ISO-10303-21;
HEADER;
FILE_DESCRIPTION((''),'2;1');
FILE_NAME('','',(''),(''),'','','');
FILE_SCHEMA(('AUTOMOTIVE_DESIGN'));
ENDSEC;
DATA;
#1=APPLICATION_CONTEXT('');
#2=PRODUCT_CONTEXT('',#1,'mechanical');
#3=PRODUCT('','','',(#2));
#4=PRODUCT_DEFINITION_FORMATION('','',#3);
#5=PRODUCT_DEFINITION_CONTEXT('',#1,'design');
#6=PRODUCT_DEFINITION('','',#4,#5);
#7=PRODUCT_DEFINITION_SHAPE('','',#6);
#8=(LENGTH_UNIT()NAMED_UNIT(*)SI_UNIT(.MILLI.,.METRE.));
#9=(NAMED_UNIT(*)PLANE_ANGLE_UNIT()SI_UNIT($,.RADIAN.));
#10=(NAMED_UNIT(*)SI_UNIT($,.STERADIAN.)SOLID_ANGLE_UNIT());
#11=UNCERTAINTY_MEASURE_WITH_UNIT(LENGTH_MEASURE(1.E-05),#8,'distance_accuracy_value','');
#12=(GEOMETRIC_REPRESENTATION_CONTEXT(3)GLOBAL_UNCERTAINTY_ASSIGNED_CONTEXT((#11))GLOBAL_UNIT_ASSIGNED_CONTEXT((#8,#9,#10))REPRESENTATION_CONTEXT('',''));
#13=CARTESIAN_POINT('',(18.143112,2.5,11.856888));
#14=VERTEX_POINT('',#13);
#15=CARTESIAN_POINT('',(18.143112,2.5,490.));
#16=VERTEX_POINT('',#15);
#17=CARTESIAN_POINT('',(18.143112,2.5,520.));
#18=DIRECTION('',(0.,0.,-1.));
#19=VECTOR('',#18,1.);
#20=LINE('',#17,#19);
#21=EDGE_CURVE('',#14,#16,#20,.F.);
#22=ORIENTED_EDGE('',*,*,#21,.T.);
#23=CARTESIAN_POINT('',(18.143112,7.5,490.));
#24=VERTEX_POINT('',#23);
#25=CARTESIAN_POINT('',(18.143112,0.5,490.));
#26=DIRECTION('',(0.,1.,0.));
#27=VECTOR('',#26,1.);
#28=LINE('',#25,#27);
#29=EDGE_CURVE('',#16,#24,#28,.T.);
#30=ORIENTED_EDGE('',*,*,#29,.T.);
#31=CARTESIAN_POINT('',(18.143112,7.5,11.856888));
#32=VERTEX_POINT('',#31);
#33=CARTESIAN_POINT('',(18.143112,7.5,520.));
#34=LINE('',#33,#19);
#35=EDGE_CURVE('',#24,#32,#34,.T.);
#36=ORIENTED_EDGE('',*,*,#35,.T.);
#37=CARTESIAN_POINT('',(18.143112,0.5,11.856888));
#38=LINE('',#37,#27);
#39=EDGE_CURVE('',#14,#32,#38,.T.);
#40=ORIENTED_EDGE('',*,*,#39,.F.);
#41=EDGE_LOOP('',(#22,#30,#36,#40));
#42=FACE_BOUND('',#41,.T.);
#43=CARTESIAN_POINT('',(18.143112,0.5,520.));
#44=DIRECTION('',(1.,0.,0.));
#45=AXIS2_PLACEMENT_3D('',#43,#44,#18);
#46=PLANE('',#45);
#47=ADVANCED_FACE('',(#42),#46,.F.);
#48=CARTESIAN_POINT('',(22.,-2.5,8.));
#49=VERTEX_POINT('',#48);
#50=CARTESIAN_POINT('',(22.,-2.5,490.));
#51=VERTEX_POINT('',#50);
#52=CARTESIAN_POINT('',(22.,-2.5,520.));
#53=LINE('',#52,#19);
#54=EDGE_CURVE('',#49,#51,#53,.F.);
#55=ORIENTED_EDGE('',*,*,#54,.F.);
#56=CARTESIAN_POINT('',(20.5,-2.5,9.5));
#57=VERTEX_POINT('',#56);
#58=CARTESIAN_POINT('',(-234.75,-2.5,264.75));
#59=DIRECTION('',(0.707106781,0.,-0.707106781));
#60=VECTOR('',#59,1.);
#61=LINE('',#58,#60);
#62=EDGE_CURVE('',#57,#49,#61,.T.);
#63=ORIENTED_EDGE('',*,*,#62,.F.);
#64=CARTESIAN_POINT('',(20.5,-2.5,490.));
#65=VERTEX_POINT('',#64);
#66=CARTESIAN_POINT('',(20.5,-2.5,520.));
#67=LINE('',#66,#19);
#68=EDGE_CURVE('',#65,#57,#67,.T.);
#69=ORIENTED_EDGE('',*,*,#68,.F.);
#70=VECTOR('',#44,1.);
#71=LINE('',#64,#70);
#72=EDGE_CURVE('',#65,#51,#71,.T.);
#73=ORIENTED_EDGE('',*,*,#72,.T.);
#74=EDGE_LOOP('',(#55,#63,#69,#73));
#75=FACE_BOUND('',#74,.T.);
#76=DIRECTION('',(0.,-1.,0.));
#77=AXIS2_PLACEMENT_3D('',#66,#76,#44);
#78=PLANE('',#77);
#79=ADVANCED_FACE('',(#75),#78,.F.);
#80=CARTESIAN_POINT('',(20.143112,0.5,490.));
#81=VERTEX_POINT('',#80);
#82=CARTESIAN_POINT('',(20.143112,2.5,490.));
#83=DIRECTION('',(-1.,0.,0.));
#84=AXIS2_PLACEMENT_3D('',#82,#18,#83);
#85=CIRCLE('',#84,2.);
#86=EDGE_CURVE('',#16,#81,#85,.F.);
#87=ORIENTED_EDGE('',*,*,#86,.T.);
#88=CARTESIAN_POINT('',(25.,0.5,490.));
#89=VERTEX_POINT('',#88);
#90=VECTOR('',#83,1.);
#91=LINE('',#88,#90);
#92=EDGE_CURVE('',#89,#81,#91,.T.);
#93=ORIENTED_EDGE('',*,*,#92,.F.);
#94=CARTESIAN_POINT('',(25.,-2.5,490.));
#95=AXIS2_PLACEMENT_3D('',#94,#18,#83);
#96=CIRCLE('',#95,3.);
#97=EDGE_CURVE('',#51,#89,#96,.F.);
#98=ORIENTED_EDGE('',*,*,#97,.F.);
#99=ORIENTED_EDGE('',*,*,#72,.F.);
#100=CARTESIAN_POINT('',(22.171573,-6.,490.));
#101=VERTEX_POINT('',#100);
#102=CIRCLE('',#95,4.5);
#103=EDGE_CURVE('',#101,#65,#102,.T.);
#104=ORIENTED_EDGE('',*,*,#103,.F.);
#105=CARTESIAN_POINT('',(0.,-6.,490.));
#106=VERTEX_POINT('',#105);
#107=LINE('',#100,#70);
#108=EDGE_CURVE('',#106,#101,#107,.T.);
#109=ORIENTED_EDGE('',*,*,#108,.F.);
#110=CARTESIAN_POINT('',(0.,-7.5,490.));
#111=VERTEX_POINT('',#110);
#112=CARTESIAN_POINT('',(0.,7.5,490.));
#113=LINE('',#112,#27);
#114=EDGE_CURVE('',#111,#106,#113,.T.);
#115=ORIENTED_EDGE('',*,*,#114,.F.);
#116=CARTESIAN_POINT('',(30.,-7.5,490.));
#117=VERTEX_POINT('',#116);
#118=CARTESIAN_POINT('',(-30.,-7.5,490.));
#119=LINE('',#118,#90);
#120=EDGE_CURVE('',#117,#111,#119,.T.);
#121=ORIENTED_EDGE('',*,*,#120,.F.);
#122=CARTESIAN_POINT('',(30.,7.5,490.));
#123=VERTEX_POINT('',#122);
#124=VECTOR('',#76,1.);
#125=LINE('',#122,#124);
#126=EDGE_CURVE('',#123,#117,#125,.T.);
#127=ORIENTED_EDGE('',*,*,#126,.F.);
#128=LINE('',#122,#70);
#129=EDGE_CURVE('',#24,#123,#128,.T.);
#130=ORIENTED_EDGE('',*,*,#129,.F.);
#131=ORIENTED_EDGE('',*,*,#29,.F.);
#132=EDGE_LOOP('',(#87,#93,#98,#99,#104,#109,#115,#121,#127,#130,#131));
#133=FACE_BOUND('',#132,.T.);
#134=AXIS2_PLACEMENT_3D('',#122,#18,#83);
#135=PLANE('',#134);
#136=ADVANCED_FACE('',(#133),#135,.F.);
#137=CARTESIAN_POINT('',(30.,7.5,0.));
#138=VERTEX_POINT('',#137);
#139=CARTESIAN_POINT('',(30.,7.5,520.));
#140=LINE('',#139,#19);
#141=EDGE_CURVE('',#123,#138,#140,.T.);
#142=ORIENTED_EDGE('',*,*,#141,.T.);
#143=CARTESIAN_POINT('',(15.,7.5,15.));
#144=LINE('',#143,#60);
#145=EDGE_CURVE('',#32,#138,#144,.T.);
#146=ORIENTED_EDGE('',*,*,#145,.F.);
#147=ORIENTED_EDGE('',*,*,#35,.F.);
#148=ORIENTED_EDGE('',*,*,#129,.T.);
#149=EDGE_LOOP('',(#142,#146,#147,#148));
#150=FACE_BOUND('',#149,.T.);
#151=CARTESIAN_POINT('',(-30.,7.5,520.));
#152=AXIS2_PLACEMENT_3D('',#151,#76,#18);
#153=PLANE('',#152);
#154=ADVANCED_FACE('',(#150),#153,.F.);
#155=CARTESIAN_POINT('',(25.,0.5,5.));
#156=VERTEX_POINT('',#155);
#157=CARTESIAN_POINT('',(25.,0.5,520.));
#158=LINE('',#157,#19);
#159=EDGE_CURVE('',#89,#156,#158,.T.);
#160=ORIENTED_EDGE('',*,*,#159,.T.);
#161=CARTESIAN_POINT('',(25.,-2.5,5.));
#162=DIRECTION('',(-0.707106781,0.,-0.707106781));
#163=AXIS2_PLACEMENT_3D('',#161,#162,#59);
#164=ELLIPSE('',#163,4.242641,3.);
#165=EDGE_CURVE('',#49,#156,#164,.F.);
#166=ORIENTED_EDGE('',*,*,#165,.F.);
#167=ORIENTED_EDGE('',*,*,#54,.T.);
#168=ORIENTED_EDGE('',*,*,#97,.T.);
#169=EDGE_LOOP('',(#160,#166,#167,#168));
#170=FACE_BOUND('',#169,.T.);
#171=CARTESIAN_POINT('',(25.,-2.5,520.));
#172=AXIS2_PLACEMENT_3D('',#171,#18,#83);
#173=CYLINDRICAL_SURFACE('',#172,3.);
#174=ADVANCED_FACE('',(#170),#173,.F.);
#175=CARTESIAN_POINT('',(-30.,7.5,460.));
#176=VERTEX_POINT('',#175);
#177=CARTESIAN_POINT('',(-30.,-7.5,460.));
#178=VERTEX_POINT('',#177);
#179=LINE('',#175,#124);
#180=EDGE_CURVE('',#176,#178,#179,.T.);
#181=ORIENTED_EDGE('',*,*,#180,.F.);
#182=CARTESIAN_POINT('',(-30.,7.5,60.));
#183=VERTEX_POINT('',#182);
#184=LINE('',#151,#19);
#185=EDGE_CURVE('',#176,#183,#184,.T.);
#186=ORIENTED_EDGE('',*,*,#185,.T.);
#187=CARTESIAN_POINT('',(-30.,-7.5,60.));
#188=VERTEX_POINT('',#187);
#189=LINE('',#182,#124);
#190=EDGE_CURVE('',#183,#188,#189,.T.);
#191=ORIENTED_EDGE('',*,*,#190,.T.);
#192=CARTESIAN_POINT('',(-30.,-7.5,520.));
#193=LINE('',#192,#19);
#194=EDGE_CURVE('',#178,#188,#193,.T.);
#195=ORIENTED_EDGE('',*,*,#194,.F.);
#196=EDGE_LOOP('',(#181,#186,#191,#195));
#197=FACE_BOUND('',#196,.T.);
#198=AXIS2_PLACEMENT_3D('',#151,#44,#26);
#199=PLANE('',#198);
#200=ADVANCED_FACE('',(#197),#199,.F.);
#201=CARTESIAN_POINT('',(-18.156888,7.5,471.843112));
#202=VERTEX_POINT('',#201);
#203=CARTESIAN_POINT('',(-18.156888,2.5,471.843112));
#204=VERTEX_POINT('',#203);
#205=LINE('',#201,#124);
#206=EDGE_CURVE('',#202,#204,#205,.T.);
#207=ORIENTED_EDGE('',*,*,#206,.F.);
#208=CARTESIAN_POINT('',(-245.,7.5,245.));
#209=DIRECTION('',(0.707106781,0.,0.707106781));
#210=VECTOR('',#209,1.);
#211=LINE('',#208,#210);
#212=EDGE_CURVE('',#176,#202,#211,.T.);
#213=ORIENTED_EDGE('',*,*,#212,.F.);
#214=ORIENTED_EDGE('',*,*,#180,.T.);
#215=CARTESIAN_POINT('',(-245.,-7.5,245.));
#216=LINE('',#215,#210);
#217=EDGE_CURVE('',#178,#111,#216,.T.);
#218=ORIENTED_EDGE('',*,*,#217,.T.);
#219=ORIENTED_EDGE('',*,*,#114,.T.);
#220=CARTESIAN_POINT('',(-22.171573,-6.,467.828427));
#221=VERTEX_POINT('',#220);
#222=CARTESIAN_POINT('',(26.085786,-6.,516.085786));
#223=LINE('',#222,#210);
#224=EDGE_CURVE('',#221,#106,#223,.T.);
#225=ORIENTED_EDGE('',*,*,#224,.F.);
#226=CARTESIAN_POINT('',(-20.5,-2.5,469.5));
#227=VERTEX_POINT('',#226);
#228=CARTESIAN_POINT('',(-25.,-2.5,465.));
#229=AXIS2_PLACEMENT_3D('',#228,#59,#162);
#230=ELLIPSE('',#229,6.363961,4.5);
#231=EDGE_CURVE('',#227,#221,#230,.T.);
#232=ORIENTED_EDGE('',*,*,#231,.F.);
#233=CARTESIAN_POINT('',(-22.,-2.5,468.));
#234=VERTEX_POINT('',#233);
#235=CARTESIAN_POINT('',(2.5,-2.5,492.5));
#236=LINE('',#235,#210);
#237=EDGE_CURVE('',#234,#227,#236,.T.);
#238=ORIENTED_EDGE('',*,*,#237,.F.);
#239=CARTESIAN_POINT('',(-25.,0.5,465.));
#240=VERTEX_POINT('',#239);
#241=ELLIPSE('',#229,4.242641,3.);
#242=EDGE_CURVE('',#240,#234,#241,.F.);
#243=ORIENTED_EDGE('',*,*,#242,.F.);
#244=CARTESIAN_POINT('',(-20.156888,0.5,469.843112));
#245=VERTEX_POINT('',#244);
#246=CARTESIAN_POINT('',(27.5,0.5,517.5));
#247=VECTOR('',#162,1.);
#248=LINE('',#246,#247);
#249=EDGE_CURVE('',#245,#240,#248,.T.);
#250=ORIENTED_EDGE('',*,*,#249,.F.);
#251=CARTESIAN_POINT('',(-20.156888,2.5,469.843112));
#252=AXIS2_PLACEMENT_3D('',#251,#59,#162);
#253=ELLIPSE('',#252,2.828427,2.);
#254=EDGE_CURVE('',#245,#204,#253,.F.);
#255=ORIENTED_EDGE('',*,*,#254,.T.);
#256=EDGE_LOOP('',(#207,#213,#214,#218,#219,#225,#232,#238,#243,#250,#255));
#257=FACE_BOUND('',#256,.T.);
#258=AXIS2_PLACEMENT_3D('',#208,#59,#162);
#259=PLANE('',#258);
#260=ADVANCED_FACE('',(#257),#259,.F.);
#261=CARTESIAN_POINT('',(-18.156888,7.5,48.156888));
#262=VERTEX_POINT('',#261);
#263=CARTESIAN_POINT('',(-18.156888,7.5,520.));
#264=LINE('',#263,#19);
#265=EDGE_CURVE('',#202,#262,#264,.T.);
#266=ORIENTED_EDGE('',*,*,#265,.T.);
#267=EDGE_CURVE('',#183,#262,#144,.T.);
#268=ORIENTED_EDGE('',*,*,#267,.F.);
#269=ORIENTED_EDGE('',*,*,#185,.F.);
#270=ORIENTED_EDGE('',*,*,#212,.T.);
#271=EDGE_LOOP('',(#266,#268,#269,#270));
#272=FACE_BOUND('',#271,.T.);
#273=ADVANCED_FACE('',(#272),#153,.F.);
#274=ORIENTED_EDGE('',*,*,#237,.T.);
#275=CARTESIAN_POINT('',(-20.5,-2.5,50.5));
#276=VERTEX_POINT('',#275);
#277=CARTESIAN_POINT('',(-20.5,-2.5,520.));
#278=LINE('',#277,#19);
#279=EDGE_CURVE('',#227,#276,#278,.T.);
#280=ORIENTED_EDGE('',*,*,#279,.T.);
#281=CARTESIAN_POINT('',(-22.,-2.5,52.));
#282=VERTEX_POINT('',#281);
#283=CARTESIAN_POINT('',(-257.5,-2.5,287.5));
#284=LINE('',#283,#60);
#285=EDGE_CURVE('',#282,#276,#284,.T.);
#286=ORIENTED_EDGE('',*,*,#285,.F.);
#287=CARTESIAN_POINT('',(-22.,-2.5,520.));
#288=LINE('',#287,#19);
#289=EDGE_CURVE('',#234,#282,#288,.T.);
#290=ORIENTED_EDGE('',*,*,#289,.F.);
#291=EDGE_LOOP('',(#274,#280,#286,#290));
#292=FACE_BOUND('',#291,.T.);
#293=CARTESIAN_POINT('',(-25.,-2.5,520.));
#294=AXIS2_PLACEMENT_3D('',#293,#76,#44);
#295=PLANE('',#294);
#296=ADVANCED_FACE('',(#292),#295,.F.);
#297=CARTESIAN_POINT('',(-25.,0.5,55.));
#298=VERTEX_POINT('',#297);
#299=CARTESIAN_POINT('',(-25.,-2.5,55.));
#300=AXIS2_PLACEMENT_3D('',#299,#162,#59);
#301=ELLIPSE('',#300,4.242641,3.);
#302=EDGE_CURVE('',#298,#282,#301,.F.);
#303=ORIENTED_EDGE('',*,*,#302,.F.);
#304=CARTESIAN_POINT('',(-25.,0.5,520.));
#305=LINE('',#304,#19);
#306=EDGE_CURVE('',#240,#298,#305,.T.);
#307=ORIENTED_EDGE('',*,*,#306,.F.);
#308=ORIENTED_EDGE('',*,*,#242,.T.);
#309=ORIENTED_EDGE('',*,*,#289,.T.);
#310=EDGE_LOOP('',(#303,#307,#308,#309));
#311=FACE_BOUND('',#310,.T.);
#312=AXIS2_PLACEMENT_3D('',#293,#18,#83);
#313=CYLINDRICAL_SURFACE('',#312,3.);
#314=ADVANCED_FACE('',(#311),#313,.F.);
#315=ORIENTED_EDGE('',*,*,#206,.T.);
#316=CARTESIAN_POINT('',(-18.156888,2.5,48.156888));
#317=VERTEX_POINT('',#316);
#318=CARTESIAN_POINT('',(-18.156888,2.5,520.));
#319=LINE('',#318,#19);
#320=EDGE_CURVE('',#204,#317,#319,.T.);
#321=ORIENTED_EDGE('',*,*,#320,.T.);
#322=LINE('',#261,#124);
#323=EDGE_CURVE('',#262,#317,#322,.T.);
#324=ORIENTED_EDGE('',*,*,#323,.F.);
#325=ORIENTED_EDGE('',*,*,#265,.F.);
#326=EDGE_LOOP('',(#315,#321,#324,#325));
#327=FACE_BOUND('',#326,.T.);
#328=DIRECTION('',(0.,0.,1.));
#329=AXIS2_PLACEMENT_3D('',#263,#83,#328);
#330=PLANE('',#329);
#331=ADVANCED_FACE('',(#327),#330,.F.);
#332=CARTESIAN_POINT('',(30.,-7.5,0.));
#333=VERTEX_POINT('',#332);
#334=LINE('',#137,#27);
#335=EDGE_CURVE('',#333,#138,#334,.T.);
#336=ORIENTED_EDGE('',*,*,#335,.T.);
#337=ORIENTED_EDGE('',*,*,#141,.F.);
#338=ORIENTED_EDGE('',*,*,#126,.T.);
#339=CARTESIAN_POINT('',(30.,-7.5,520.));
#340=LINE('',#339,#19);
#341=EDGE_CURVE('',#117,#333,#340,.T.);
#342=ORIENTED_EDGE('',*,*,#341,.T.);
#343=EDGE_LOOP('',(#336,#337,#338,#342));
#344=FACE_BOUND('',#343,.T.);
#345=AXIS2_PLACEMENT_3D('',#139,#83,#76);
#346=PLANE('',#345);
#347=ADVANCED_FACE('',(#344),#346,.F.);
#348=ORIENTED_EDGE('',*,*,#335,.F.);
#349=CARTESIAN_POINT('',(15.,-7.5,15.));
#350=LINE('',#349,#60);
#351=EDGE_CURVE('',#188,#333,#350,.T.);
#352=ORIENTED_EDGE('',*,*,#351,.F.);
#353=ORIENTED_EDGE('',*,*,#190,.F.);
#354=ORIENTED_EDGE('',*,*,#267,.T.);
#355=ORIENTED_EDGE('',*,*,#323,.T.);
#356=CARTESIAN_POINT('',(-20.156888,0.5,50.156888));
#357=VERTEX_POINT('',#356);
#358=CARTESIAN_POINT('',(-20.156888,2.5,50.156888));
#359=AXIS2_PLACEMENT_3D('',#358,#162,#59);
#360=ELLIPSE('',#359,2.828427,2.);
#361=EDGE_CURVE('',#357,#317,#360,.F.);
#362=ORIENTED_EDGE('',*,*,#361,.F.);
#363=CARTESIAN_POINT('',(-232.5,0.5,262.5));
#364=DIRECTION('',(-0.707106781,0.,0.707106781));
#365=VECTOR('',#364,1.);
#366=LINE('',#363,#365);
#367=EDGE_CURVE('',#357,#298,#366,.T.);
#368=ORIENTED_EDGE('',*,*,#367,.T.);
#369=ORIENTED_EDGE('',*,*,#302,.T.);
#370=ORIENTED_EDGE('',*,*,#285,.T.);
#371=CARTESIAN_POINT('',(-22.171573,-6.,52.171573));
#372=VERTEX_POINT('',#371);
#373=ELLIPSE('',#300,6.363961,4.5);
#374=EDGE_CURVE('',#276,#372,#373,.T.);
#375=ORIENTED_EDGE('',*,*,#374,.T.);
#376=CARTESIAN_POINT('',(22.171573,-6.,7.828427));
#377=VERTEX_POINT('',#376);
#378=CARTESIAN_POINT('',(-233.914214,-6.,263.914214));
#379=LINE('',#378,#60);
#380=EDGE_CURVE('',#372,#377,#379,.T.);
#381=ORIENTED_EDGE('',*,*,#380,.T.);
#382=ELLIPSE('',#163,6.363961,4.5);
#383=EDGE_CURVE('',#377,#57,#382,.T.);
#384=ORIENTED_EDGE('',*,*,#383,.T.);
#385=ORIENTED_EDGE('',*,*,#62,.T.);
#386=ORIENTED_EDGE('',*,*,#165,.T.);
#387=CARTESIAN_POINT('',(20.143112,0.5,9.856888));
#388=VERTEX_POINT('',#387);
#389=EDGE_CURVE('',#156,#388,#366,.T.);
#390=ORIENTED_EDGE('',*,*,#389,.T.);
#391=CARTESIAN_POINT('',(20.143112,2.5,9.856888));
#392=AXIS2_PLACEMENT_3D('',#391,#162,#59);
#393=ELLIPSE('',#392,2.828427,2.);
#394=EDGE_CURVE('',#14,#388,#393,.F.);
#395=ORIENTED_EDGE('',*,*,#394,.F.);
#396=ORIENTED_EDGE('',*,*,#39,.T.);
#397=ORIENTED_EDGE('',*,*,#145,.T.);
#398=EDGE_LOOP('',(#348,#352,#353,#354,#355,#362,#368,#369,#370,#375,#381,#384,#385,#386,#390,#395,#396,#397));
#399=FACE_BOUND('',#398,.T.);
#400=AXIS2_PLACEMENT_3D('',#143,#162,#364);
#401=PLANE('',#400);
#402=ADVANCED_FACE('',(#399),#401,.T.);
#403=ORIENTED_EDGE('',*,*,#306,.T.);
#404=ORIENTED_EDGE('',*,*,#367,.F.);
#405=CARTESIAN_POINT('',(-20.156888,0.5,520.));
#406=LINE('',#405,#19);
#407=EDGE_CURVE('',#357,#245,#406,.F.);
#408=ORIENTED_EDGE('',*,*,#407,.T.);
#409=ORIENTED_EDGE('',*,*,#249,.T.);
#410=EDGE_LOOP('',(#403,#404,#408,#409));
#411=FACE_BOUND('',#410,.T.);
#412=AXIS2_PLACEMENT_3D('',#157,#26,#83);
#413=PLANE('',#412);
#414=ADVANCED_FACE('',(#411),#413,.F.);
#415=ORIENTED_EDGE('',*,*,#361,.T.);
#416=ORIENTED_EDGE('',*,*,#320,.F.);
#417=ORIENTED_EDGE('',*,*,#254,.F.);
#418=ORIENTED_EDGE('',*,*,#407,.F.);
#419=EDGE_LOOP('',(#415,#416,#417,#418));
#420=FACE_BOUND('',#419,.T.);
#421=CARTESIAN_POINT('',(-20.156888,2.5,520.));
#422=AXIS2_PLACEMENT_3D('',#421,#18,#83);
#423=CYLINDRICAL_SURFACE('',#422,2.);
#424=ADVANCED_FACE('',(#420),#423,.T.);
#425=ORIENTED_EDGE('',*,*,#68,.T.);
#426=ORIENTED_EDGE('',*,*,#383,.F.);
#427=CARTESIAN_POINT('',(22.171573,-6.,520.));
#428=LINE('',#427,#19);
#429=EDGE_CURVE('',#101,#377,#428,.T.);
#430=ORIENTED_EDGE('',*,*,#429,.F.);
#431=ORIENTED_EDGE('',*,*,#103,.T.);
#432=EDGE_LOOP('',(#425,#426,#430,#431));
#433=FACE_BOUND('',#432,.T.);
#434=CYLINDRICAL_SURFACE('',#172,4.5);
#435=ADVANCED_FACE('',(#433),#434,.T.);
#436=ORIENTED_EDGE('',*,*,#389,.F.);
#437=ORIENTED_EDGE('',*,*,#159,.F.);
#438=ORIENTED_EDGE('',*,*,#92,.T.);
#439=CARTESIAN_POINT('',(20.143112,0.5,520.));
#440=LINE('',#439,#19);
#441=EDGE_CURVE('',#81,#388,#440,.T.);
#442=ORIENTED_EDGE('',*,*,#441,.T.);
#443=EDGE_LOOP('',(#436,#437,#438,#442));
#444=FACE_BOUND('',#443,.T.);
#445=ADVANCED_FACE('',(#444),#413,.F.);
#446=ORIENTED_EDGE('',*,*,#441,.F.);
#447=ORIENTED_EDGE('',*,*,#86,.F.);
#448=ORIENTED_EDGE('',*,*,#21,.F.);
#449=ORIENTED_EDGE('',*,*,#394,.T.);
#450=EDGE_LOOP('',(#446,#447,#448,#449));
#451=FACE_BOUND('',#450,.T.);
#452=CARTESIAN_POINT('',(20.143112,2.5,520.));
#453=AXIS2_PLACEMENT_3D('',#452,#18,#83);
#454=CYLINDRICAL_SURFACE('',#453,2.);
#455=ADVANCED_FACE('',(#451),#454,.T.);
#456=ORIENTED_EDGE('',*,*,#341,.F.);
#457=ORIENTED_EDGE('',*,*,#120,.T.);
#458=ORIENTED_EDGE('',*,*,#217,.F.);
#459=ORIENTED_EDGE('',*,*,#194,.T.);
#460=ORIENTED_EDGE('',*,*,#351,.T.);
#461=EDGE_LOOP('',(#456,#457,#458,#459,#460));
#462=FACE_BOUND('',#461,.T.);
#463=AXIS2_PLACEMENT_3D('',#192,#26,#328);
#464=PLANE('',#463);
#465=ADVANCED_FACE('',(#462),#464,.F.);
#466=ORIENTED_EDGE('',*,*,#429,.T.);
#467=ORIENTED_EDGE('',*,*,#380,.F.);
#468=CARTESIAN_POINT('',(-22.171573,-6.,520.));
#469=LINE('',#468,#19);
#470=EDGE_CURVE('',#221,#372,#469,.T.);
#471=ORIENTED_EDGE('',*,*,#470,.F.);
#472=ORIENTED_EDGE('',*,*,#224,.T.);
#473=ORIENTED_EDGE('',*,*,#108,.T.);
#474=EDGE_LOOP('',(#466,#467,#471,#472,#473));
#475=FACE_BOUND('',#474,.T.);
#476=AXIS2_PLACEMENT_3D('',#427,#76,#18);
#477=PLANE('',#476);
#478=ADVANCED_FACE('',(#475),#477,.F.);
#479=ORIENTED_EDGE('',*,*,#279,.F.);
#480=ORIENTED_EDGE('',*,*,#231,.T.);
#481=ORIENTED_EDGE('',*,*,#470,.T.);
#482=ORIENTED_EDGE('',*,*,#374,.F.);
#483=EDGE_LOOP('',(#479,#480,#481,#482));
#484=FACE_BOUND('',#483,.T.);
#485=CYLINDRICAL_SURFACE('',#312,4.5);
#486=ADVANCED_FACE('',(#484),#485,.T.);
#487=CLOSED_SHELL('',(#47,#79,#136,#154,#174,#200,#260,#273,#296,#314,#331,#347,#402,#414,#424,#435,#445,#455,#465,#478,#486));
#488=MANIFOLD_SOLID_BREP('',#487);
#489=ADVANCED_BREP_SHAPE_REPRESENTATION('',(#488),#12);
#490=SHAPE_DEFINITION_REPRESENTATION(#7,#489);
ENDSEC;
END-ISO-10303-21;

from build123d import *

# Parameters (mm, degrees)
SKETCH_1_W               = 60
SKETCH_1_H               = 15
EXTRUDE_1_DEPTH          = 520
SKETCH_2_R               = 3
CUT_EXTRUDE_1_DEPTH      = 521.918659677
CUT_EXTRUDE_2_DEPTH      = 521.918659677
SKETCH_4_W               = 36.3
SKETCH_4_H               = 7
CUT_EXTRUDE_3_DEPTH      = 521.918659677
FILLET_1_R               = 2
CUT_EXTRUDE_4_DEPTH      = 522.080607968
CUT_EXTRUDE_6_DEPTH      = 522.080607968
CUT_EXTRUDE_6_DEPTH_BACK = 522.080607968
SKETCH_7_W               = 30
SKETCH_7_H               = 30


with BuildPart() as part:
    # 스케치1 → 보스-돌출1 (new body)
    with BuildSketch(Plane.XY):
        Rectangle(SKETCH_1_W, SKETCH_1_H)
    extrude(amount=EXTRUDE_1_DEPTH)

    # 스케치2 → 컷-돌출1 (cut, through all)
    with BuildSketch(Plane(origin=(0, 0, 0), x_dir=(-1, 0, 0), z_dir=(0, 0, -1))):
        with Locations((-25, -2.5)):
            Circle(SKETCH_2_R)
        with Locations((25, -2.5)):
            Circle(SKETCH_2_R)
    extrude(amount=-CUT_EXTRUDE_1_DEPTH, mode=Mode.SUBTRACT)

    # 스케치3 → 컷-돌출2 (cut, through all)
    with BuildSketch(Plane(origin=(0, 0, 0), x_dir=(-1, 0, 0), z_dir=(0, 0, -1))):
        with BuildLine():
            Line((-22.171572875, -6), (22.171572875, -6))
            ThreePointArc((22.171572875, -6), (20.939339828, -4.439339828), (20.5, -2.5))
            Line((20.5, -2.5), (25, -2.5))
            Line((25, -2.5), (25, 0.5))
            Line((25, 0.5), (-25, 0.5))
            Line((-25, 0.5), (-25, -2.5))
            Line((-25, -2.5), (-20.5, -2.5))
            ThreePointArc((-20.5, -2.5), (-20.939339828, -4.439339828), (-22.171572875, -6))
        make_face()
    extrude(amount=-CUT_EXTRUDE_2_DEPTH, mode=Mode.SUBTRACT)

    # 스케치4 → 컷-돌출3 (cut, through all)
    with BuildSketch(Plane(origin=(0, 0, 0), x_dir=(-1, 0, 0), z_dir=(0, 0, -1))):
        with Locations((0.006888359, 4)):
            Rectangle(SKETCH_4_W, SKETCH_4_H)
    extrude(amount=-CUT_EXTRUDE_3_DEPTH, mode=Mode.SUBTRACT)

    # 필렛1
    fillet_1_edges = [part.edges().sort_by_distance(p)[0] for p in [
        (-18.156888359, 0.5, 260),
        (18.143111641, 0.5, 260),
    ]]
    fillet(fillet_1_edges, radius=FILLET_1_R)

    # 스케치5 → 컷-돌출4 (cut, through all)
    with BuildSketch(Plane.XZ.offset(7.5)):
        Polygon((-30, 520), (-30, 460), (30, 520), align=None)
        Polygon((-30, 0), (30, 0), (-30, 60), align=None)
    extrude(amount=-CUT_EXTRUDE_4_DEPTH, mode=Mode.SUBTRACT)

    # 스케치7 → 컷-돌출6 (cut, two sides: drawn at the far end of the back side and taken through both)
    with BuildSketch(Plane.XZ.offset(7.5).offset(-CUT_EXTRUDE_6_DEPTH_BACK)):
        with Locations((15, 505)):
            Rectangle(SKETCH_7_W, SKETCH_7_H)
    extrude(amount=CUT_EXTRUDE_6_DEPTH + CUT_EXTRUDE_6_DEPTH_BACK, mode=Mode.SUBTRACT)


solid = part.part
